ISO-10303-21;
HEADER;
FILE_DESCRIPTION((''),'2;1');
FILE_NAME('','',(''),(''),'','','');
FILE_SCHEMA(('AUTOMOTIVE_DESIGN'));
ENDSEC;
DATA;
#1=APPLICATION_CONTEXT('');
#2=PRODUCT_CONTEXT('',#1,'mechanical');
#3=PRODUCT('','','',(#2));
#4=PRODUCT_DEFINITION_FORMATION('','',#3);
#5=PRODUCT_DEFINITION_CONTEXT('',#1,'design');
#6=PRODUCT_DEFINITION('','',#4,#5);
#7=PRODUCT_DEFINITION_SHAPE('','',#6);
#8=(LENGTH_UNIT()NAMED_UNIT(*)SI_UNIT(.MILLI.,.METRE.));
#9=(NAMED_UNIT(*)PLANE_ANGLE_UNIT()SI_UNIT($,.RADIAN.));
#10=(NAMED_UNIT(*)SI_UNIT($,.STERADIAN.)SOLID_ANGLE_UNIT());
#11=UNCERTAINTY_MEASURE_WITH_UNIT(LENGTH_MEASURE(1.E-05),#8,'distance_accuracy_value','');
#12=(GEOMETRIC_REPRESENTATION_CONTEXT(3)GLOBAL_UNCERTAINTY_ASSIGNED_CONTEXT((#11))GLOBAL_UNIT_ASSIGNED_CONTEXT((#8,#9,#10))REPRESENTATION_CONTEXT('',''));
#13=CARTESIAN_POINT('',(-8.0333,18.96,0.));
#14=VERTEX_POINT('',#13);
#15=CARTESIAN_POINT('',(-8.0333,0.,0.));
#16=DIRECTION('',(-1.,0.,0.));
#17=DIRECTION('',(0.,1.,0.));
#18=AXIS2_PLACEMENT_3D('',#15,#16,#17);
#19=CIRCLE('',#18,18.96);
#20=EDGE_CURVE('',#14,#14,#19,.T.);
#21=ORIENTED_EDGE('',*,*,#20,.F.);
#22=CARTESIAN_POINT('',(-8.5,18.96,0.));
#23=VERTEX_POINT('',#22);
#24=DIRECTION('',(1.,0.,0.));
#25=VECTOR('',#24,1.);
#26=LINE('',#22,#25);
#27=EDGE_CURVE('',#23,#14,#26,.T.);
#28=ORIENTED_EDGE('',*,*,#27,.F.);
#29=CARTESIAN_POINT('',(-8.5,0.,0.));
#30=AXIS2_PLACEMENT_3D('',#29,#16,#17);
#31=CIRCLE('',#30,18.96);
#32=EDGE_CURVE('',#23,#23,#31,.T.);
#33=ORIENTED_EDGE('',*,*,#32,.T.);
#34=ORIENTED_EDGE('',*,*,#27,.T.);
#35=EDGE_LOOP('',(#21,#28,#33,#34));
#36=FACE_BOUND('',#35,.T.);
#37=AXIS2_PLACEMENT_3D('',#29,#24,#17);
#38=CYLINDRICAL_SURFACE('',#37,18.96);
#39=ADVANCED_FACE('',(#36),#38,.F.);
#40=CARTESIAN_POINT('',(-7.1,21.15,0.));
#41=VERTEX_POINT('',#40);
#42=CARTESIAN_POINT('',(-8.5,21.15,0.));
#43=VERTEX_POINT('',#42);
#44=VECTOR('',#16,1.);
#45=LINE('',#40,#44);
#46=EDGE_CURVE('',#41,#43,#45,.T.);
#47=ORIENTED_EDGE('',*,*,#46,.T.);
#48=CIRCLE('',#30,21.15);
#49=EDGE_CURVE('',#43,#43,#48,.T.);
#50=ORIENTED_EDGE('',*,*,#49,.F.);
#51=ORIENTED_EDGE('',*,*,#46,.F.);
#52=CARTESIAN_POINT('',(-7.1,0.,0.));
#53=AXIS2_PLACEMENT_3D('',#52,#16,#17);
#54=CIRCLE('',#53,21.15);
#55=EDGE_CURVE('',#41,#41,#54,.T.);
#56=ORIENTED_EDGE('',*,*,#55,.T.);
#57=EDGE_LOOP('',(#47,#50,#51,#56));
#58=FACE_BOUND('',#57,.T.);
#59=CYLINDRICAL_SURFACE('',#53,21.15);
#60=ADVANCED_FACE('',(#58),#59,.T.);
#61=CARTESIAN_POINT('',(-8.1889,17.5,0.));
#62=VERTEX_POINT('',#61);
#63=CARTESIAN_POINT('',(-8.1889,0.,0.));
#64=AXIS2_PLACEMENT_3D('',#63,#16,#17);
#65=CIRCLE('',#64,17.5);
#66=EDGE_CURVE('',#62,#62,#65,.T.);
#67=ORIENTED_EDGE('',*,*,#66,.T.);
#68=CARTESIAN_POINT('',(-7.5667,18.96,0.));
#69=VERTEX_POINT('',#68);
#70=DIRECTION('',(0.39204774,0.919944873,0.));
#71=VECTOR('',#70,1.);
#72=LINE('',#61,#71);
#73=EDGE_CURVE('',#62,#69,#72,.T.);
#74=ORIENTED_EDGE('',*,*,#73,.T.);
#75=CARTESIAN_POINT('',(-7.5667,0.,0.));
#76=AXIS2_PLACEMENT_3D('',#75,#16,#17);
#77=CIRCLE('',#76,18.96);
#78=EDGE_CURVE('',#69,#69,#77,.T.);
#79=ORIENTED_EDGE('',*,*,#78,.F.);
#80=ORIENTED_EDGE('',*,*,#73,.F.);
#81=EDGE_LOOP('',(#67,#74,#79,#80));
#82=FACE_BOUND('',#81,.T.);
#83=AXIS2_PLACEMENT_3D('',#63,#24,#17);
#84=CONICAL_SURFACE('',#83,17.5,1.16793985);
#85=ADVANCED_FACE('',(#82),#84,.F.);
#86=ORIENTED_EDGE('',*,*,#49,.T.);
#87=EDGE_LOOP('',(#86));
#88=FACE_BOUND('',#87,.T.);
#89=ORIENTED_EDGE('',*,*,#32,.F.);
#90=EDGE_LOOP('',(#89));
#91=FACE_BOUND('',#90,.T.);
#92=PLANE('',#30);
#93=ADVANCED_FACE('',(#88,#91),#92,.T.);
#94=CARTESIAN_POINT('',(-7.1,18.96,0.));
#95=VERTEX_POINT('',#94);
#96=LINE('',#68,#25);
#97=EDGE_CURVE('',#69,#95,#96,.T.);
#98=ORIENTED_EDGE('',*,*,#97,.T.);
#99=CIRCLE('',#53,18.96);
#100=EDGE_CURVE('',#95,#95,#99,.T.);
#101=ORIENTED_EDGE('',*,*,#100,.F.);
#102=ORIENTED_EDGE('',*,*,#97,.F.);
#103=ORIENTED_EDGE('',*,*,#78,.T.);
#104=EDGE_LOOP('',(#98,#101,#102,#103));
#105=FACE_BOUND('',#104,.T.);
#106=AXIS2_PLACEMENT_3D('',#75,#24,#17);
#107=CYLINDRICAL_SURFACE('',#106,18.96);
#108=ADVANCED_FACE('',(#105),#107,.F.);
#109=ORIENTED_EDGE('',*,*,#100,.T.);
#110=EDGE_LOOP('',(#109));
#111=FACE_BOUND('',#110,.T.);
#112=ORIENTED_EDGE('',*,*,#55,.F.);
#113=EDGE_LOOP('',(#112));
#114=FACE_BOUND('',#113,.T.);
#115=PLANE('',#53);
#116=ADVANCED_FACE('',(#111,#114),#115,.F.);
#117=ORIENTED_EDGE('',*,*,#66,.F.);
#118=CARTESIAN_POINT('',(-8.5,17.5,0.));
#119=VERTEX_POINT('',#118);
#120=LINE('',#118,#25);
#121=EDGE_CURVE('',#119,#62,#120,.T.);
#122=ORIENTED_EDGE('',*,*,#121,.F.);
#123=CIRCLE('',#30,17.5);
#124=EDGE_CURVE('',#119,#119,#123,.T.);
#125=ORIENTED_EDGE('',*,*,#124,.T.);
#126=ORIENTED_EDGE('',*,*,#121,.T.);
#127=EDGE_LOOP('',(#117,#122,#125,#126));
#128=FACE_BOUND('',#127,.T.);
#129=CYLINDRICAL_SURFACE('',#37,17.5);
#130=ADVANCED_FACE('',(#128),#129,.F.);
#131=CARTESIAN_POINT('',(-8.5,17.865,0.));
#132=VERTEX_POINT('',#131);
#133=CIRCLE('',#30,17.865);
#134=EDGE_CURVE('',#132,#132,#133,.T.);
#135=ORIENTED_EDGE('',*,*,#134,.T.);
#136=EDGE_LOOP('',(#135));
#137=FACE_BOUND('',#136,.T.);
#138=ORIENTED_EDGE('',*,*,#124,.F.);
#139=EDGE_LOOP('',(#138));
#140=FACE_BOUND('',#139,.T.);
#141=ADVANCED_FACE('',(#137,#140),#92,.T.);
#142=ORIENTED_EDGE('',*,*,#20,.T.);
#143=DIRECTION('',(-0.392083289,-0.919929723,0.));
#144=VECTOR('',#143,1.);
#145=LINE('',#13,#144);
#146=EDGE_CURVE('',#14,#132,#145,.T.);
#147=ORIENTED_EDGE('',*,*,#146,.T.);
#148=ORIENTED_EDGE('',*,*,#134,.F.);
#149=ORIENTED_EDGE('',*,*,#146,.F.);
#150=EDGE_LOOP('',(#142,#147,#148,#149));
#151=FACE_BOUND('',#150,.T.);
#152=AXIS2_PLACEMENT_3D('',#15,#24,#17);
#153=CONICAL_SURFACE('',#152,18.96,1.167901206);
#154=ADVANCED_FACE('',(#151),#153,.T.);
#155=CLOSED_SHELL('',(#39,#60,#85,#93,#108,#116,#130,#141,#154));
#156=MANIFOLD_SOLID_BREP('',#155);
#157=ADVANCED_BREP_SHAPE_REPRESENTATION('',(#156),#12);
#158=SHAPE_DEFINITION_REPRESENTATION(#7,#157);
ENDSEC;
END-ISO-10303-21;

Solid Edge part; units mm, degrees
sketch "Sketch1" plane through (0, 0, 0) normal (0, 0, 1) x (1, 0, 0)
  line L0 (-8.5, 17.865) -> (-8.5, 17.5)
  line L1 (-8.5, 17.5) -> (-8.1889, 17.5)
  line L2 (-8.1889, 17.5) -> (-7.5667, 18.96)
  line L3 (-7.5667, 18.96) -> (-7.1, 18.96)
  line L4 (-7.1, 18.96) -> (-7.1, 21.15)
  line L5 (-7.1, 21.15) -> (-8.5, 21.15)
  line L6 (-8.5, 21.15) -> (-8.5, 18.96)
  line L7 (-8.5, 18.96) -> (-8.0333, 18.96)
  line L8 (-8.0333, 18.96) -> (-8.5, 17.865)
revolve "RevolvedProtrusion1" add sketch "Sketch1" angle 360 about axis through (17, 0, 0) along (-1, 0, 0)
properties part number "NA 4906UU Seal" material "Aluminio, 7075-T6"
